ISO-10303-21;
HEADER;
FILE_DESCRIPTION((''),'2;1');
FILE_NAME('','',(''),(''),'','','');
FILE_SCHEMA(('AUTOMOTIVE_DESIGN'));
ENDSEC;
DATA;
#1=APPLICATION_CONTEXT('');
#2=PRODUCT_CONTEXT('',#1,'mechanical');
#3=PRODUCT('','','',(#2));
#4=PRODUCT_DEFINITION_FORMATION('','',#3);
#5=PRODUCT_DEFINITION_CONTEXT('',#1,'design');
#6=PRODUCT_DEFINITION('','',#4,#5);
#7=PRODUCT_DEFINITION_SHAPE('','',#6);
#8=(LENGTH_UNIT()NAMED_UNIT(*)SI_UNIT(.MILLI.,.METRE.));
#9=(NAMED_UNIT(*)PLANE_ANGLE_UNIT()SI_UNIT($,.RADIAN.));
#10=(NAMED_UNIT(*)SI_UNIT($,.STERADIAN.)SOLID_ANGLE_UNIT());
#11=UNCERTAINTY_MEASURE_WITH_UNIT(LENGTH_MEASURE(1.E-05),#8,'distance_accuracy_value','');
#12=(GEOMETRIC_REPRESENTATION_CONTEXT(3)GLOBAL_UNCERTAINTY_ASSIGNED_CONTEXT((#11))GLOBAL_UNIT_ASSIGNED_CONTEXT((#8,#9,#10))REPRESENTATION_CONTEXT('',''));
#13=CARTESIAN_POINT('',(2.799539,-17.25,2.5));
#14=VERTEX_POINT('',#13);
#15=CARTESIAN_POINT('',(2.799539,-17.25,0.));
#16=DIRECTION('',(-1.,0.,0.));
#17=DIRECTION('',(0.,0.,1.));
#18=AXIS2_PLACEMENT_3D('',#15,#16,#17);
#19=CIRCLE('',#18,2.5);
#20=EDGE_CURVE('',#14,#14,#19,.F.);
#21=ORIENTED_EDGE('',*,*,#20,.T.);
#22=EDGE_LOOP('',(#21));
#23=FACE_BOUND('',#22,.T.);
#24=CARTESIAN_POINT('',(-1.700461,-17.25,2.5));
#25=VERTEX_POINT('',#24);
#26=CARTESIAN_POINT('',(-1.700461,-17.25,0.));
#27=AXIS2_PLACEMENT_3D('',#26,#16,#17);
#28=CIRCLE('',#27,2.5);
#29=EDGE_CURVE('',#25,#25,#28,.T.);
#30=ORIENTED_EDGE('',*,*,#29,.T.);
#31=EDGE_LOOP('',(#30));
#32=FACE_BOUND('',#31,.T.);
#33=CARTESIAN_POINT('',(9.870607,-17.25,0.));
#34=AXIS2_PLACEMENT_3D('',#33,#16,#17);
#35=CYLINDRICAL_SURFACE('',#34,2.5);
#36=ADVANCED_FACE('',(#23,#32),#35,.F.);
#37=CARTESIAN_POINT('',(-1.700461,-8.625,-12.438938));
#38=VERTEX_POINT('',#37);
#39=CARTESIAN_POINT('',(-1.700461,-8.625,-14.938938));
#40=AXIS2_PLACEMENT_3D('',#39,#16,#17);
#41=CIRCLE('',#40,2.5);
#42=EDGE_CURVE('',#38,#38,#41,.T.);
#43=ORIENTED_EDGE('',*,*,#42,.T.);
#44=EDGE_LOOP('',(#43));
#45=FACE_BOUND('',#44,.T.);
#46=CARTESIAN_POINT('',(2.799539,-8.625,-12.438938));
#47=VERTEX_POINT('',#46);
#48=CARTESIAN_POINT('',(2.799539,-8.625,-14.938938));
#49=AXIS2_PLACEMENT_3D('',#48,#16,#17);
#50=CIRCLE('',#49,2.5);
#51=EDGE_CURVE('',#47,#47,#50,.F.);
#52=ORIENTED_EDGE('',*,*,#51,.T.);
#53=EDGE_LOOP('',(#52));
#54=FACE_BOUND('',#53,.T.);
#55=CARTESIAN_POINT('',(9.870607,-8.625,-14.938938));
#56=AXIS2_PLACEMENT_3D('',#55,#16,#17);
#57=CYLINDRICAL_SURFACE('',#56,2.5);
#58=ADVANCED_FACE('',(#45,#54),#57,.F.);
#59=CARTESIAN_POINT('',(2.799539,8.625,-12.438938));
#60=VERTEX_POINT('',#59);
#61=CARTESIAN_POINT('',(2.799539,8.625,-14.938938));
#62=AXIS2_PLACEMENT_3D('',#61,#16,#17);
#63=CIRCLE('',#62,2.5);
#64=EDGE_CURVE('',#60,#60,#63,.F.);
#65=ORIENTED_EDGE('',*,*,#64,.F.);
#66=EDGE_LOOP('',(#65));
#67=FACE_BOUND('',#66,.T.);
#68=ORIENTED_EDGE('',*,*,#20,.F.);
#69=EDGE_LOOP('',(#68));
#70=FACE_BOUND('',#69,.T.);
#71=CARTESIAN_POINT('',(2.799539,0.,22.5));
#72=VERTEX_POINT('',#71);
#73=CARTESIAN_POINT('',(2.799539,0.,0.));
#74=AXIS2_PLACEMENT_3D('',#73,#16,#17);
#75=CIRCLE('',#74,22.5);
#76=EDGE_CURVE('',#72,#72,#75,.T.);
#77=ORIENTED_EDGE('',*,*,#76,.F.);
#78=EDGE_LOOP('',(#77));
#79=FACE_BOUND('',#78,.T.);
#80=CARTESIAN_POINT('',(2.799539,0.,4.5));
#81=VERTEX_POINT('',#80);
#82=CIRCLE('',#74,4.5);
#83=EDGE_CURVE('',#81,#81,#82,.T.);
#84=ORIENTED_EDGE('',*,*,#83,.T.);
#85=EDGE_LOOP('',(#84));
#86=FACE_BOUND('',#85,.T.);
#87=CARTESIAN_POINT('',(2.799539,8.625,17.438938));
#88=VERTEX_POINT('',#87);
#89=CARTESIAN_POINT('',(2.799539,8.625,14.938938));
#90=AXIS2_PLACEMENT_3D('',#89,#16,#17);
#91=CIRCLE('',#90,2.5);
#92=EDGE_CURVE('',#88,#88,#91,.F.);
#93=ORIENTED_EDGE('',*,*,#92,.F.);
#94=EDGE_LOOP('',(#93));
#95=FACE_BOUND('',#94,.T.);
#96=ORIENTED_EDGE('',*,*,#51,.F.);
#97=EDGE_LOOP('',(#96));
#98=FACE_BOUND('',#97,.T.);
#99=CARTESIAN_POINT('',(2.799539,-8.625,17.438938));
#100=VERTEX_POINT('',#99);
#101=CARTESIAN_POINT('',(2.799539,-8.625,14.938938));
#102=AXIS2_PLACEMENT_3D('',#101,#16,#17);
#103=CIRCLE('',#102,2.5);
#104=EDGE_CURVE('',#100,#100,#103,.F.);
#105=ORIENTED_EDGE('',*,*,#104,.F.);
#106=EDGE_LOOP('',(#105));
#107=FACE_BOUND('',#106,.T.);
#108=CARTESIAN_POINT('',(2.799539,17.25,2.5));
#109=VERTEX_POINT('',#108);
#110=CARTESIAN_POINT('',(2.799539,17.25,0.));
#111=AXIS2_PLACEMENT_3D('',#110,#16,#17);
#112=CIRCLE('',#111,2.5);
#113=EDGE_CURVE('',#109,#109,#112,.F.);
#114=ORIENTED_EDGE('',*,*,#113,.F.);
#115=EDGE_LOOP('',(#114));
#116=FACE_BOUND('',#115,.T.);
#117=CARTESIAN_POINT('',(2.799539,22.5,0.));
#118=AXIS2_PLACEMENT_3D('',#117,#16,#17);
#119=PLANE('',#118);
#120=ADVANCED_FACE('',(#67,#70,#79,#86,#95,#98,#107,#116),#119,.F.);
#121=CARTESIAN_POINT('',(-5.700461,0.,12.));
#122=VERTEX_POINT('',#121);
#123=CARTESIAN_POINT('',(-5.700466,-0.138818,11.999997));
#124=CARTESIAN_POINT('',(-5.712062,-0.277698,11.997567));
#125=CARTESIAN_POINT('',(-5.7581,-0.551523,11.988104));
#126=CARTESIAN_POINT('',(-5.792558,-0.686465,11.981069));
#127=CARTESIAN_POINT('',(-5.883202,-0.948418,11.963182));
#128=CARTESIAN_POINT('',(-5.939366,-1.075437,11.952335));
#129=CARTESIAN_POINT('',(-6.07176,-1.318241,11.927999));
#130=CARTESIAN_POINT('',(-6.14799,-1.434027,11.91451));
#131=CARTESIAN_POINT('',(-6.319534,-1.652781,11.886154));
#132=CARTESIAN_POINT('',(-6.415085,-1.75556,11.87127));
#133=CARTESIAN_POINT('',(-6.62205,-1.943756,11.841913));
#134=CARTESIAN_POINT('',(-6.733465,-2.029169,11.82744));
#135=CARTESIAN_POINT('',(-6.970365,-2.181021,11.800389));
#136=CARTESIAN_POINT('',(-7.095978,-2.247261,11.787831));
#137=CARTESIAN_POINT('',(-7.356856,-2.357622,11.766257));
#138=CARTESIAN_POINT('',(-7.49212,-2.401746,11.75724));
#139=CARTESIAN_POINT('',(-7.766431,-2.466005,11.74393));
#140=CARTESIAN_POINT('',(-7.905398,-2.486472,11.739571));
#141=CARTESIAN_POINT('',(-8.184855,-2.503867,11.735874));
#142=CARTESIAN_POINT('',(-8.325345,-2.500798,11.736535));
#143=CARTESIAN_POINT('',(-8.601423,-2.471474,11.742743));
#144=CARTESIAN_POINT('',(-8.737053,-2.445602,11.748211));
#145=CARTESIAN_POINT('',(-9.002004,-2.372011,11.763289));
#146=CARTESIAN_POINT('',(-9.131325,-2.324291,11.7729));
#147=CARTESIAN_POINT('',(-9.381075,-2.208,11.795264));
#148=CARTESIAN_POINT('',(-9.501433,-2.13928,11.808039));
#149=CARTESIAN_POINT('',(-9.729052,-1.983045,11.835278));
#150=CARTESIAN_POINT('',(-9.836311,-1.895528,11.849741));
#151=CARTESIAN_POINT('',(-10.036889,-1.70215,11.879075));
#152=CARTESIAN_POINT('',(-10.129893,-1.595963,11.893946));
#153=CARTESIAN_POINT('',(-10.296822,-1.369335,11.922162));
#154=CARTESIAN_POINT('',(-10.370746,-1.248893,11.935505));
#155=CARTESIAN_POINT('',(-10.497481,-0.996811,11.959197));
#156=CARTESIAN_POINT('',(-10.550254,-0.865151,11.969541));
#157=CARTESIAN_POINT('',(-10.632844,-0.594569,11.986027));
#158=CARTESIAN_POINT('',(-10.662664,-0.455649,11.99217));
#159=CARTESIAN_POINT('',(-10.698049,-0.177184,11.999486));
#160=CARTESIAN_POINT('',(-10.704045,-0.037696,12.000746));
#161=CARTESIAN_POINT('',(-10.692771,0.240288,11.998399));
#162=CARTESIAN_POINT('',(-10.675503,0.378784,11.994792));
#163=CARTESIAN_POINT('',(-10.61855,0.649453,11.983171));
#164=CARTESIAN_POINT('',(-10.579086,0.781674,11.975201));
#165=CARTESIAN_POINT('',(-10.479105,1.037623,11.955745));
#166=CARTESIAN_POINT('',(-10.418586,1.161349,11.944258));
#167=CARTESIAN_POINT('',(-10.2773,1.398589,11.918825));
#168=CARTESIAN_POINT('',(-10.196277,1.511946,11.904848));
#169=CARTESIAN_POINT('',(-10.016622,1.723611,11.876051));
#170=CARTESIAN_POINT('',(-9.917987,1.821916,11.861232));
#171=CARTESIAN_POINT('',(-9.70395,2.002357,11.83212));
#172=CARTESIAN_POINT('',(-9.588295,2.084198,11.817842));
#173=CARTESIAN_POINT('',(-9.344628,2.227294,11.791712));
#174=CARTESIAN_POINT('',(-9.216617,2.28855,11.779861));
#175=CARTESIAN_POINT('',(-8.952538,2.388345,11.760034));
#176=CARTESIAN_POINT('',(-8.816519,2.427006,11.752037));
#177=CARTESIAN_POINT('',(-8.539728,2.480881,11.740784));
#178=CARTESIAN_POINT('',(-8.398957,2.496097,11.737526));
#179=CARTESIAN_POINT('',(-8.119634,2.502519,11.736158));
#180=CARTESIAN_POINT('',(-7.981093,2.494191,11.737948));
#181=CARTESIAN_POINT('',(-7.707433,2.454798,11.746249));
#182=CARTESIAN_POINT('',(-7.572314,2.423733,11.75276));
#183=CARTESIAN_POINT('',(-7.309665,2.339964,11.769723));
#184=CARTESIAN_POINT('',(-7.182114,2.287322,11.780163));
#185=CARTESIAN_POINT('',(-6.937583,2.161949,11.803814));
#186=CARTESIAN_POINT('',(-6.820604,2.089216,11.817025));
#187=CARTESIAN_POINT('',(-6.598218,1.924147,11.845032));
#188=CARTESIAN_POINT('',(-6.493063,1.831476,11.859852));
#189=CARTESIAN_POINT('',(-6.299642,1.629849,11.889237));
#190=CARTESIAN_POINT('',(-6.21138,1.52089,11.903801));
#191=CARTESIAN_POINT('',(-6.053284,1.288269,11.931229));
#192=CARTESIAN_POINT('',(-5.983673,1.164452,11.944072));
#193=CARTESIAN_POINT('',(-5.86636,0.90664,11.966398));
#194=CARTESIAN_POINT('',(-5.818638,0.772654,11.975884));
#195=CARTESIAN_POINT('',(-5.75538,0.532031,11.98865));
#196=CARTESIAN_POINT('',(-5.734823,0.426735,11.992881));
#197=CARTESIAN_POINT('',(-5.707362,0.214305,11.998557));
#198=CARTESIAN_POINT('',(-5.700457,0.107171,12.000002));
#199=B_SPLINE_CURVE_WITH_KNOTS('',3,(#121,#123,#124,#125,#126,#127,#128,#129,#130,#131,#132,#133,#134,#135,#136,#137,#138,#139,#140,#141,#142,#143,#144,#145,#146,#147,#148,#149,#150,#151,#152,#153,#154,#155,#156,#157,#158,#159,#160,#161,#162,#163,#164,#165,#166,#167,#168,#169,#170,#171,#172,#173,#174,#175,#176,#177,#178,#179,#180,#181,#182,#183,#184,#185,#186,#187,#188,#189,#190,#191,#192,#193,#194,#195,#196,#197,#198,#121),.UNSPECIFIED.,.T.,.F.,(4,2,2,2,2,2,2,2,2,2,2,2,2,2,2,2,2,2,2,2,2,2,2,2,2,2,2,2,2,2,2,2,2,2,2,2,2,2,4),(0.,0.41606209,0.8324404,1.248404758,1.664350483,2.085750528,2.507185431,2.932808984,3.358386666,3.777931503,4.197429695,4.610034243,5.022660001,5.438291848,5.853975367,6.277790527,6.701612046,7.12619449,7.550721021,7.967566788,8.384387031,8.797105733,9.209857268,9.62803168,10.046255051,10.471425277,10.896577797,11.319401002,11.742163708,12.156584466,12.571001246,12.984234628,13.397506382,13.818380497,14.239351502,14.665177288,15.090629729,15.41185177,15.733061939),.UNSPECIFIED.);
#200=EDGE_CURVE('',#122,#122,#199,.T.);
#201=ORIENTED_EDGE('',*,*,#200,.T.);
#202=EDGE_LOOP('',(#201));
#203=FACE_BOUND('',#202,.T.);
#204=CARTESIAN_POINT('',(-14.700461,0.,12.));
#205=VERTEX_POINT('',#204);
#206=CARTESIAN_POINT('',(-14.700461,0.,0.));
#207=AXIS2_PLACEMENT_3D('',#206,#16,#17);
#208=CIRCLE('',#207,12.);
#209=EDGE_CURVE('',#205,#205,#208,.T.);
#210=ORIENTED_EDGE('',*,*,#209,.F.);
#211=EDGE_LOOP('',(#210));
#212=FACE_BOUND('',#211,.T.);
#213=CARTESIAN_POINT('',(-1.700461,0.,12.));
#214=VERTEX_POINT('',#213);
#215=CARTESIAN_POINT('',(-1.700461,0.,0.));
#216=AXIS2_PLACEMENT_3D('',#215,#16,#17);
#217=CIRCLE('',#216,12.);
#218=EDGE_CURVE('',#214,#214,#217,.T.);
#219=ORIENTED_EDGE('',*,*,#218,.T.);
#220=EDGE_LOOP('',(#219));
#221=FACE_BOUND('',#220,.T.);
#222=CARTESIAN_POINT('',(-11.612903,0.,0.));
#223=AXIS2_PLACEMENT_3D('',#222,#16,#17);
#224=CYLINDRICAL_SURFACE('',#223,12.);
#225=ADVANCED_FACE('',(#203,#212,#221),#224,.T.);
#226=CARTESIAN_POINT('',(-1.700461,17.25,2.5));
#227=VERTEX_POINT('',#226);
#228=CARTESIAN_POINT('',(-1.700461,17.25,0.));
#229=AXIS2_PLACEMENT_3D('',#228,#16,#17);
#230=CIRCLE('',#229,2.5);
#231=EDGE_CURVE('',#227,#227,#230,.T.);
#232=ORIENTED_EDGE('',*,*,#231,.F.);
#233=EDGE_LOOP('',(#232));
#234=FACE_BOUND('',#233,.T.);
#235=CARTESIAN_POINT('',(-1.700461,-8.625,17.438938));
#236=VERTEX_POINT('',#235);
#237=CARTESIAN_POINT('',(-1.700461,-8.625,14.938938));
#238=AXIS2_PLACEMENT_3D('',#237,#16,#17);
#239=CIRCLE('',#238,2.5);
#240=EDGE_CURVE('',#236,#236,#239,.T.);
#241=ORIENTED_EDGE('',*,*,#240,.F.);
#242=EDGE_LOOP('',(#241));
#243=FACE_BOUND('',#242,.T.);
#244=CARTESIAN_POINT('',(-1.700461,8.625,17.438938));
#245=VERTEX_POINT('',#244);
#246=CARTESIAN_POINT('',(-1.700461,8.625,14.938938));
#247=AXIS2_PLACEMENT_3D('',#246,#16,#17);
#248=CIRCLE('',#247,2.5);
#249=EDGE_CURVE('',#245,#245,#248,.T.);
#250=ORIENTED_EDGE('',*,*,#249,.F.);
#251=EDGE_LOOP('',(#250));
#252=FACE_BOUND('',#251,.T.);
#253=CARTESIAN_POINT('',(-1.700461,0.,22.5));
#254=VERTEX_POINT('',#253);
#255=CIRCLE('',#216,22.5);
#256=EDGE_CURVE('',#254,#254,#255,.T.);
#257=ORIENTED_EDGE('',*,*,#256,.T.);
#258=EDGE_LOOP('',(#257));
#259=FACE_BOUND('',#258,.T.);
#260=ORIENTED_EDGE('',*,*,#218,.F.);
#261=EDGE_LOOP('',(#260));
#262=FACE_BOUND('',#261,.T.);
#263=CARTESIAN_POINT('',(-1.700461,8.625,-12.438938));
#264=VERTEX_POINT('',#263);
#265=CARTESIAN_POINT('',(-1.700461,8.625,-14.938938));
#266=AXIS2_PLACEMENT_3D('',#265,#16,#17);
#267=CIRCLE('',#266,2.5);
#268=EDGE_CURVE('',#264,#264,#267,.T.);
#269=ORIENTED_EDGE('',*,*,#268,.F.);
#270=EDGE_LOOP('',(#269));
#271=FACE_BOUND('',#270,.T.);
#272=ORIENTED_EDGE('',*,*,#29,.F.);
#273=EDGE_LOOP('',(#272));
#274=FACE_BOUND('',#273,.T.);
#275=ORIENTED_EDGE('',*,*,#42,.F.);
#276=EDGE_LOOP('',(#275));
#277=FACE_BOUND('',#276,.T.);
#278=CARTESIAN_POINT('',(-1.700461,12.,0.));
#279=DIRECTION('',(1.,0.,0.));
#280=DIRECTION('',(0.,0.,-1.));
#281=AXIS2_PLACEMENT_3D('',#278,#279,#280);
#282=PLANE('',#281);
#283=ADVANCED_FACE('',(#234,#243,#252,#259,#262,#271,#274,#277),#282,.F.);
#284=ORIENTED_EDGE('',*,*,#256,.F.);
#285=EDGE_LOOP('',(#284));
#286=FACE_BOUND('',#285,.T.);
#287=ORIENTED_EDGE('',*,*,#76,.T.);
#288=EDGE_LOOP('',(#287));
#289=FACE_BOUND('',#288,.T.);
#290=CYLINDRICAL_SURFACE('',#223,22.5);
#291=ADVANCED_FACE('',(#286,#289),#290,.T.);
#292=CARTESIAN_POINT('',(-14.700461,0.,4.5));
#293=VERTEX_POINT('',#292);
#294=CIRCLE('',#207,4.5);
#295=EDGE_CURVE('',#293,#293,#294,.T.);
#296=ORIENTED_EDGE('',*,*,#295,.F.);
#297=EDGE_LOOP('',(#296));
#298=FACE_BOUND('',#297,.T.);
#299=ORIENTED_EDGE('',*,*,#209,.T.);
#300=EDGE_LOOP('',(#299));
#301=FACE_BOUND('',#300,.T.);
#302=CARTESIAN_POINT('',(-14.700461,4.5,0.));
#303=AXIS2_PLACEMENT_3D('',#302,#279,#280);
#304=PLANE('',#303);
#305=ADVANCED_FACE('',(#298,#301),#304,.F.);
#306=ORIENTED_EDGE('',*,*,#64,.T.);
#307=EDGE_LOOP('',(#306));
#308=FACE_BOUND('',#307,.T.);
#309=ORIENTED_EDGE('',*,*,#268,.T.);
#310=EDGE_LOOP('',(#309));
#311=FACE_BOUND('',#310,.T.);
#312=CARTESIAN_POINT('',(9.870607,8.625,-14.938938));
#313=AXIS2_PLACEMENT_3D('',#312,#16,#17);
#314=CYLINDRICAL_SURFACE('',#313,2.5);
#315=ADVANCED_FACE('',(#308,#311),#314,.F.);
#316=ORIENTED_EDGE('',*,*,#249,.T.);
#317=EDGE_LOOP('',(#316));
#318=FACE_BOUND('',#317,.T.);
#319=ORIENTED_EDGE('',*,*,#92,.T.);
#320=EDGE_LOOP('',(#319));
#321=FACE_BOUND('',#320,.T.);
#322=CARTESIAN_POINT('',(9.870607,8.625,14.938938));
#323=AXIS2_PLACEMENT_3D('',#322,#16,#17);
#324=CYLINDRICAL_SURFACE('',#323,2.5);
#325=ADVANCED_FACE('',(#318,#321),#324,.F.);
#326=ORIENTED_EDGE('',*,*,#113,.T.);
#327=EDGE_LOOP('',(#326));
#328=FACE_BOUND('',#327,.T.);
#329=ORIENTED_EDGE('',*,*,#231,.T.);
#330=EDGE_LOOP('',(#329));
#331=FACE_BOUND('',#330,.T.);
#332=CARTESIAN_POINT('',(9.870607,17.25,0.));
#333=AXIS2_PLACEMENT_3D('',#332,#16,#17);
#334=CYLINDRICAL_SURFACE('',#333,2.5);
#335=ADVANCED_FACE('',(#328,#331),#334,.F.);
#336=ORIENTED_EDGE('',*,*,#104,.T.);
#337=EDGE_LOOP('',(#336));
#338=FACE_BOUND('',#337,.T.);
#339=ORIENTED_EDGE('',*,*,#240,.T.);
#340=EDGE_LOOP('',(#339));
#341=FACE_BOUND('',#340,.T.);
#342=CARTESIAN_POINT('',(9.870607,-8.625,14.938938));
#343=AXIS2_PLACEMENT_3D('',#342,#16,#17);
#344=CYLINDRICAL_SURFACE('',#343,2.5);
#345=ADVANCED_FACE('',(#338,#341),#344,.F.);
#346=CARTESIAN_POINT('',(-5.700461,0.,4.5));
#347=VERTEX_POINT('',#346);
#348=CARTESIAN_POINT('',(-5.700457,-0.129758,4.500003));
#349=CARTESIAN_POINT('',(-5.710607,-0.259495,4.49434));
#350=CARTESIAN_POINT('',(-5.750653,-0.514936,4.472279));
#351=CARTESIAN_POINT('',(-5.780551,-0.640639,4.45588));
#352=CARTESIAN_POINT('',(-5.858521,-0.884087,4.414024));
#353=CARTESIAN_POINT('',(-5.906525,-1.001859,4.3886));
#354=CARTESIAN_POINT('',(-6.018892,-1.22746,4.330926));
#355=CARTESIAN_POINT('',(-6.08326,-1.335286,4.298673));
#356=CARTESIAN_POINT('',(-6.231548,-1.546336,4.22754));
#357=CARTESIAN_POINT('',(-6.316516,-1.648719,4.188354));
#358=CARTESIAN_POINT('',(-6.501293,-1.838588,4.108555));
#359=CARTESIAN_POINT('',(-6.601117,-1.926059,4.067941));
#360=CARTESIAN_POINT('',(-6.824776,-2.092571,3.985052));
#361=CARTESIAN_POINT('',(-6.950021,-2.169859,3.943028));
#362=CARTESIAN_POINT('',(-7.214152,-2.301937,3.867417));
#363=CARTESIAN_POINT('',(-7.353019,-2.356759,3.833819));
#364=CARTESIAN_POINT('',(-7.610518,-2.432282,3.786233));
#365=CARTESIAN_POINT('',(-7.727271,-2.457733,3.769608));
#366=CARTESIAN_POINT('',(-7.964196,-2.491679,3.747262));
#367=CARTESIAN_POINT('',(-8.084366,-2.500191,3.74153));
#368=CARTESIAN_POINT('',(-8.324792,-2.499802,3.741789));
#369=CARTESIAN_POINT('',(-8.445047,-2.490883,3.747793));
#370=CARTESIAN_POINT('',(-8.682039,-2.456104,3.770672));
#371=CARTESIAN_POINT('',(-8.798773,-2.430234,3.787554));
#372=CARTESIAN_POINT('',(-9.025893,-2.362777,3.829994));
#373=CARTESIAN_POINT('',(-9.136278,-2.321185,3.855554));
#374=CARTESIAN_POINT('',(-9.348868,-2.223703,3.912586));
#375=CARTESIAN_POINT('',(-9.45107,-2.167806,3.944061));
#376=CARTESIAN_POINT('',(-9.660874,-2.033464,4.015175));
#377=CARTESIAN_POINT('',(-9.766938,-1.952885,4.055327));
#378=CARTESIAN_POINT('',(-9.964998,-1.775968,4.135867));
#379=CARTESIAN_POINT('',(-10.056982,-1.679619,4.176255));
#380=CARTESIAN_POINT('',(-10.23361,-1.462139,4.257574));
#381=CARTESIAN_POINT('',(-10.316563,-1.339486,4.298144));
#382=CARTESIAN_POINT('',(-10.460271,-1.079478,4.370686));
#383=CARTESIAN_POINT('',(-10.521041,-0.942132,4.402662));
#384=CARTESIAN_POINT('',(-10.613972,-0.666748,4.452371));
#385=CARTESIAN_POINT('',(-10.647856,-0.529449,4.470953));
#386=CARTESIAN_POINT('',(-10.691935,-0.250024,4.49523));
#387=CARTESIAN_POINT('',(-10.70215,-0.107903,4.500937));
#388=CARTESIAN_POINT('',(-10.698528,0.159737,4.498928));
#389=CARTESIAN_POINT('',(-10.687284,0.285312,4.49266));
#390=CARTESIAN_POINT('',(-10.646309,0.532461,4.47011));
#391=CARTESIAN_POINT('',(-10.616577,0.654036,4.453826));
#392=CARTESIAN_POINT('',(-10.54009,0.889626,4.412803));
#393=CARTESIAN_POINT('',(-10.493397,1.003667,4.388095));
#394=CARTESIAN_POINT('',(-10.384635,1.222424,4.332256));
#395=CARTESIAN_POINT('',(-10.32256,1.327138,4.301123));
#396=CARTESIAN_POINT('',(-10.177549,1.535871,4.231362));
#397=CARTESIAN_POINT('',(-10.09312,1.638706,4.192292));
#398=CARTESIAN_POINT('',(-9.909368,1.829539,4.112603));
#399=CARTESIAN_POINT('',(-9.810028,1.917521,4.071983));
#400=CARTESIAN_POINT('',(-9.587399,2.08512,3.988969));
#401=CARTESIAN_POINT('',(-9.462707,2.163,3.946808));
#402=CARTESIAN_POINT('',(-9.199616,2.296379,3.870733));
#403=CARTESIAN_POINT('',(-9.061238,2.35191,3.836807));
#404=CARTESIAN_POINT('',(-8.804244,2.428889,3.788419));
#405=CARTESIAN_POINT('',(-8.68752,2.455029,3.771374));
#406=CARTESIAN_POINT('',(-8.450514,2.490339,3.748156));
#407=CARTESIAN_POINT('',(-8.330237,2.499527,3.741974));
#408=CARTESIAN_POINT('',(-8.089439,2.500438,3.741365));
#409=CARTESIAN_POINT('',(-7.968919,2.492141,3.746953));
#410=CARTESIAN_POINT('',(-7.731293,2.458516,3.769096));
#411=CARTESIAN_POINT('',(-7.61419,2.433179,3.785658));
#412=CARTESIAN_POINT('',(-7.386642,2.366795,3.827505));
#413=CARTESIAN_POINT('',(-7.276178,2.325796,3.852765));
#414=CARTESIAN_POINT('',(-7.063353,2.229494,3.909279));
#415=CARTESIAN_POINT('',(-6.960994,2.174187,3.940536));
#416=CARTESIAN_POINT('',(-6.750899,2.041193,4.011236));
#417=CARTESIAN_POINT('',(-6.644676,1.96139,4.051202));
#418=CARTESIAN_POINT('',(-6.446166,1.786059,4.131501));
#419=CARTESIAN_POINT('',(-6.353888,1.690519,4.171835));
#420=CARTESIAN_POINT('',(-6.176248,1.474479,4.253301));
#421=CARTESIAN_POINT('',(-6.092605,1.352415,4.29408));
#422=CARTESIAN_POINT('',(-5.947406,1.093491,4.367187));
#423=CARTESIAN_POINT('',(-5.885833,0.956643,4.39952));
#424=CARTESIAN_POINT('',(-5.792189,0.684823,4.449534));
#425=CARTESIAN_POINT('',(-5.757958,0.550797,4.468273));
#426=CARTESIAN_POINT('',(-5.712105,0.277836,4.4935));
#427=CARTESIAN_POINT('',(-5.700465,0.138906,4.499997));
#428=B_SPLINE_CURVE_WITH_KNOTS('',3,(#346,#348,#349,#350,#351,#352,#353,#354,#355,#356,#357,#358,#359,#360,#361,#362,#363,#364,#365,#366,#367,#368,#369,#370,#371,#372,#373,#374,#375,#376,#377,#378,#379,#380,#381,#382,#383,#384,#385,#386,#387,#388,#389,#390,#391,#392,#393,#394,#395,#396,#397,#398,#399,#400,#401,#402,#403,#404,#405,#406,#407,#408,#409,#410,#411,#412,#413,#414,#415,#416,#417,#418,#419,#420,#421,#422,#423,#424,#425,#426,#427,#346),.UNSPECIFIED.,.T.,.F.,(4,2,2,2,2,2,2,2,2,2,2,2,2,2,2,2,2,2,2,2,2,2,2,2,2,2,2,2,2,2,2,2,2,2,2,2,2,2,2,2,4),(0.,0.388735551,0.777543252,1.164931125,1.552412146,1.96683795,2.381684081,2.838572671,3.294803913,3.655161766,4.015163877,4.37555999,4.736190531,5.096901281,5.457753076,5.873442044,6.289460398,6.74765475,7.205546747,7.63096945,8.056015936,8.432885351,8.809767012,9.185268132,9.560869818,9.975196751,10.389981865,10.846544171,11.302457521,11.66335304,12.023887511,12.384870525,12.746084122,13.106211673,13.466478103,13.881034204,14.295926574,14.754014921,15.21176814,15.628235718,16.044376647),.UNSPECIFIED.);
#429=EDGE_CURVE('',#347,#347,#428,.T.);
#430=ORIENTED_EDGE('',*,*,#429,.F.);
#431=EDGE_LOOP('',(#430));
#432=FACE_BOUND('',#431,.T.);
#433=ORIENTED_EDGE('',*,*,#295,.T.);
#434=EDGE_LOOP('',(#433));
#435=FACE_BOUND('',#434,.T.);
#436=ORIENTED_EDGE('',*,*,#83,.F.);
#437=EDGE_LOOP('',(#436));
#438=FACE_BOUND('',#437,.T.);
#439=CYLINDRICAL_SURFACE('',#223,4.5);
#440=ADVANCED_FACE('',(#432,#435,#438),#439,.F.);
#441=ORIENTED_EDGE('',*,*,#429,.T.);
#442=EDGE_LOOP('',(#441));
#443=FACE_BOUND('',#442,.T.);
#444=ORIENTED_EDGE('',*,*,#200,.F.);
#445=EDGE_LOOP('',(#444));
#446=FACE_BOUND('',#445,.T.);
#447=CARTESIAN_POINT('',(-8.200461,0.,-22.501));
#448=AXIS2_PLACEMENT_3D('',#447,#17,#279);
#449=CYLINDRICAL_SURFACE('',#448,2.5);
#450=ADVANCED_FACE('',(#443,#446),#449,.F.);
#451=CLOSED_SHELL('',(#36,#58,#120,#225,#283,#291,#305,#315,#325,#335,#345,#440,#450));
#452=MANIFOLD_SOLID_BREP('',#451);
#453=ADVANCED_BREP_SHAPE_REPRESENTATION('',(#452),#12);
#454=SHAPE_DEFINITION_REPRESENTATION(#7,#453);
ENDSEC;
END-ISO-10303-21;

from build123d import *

# Parameters (mm, degrees)
SKETCH2_R          = 2.5
CUT_EXTRUDE1_DEPTH = 4.5
CUT_EXTRUDE2_REACH = 36.5
SKETCH3_R          = 2.5


with BuildPart() as part:
    # Sketch1 → Revolve1 (revolve)
    with BuildSketch(Plane.XY):
        Polygon((-14.700460829, 4.5), (-14.700460829, 12), (-1.700460829, 12), (-1.700460829, 22.5), (2.799539171, 22.5), (2.799539171, 4.5), align=None)
    revolve(axis=Axis((-11.612903226, 0, 0), (1, 0, 0)))

    # Sketch2 → Cut-Extrude1 (cut)
    with BuildSketch(Plane.ZY.offset(1.700460829)):
        with Locations((0, 17.25)):
            Circle(SKETCH2_R)
        with Locations((14.938938215, 8.625)):
            Circle(SKETCH2_R)
        with Locations((14.938938215, -8.625)):
            Circle(SKETCH2_R)
        with Locations((0, -17.25)):
            Circle(SKETCH2_R)
        with Locations((-14.938938215, -8.625)):
            Circle(SKETCH2_R)
        with Locations((-14.938938215, 8.625)):
            Circle(SKETCH2_R)
    extrude(amount=-CUT_EXTRUDE1_DEPTH, mode=Mode.SUBTRACT)

    # Sketch3 → Cut-Extrude2 (cut, up to next)
    with BuildSketch(Plane.XY.offset(12), mode=Mode.PRIVATE) as cut_extrude2_sk1:
        with Locations((-8.200460829, 0)):
            Circle(SKETCH3_R)
    cut_extrude2_tool1 = extrude(cut_extrude2_sk1.sketch, amount=-CUT_EXTRUDE2_REACH, mode=Mode.PRIVATE) & part.part
    add(cut_extrude2_tool1.solids().sort_by_distance((-8.200461, 0, 12))[0], mode=Mode.SUBTRACT)


solid = part.part
